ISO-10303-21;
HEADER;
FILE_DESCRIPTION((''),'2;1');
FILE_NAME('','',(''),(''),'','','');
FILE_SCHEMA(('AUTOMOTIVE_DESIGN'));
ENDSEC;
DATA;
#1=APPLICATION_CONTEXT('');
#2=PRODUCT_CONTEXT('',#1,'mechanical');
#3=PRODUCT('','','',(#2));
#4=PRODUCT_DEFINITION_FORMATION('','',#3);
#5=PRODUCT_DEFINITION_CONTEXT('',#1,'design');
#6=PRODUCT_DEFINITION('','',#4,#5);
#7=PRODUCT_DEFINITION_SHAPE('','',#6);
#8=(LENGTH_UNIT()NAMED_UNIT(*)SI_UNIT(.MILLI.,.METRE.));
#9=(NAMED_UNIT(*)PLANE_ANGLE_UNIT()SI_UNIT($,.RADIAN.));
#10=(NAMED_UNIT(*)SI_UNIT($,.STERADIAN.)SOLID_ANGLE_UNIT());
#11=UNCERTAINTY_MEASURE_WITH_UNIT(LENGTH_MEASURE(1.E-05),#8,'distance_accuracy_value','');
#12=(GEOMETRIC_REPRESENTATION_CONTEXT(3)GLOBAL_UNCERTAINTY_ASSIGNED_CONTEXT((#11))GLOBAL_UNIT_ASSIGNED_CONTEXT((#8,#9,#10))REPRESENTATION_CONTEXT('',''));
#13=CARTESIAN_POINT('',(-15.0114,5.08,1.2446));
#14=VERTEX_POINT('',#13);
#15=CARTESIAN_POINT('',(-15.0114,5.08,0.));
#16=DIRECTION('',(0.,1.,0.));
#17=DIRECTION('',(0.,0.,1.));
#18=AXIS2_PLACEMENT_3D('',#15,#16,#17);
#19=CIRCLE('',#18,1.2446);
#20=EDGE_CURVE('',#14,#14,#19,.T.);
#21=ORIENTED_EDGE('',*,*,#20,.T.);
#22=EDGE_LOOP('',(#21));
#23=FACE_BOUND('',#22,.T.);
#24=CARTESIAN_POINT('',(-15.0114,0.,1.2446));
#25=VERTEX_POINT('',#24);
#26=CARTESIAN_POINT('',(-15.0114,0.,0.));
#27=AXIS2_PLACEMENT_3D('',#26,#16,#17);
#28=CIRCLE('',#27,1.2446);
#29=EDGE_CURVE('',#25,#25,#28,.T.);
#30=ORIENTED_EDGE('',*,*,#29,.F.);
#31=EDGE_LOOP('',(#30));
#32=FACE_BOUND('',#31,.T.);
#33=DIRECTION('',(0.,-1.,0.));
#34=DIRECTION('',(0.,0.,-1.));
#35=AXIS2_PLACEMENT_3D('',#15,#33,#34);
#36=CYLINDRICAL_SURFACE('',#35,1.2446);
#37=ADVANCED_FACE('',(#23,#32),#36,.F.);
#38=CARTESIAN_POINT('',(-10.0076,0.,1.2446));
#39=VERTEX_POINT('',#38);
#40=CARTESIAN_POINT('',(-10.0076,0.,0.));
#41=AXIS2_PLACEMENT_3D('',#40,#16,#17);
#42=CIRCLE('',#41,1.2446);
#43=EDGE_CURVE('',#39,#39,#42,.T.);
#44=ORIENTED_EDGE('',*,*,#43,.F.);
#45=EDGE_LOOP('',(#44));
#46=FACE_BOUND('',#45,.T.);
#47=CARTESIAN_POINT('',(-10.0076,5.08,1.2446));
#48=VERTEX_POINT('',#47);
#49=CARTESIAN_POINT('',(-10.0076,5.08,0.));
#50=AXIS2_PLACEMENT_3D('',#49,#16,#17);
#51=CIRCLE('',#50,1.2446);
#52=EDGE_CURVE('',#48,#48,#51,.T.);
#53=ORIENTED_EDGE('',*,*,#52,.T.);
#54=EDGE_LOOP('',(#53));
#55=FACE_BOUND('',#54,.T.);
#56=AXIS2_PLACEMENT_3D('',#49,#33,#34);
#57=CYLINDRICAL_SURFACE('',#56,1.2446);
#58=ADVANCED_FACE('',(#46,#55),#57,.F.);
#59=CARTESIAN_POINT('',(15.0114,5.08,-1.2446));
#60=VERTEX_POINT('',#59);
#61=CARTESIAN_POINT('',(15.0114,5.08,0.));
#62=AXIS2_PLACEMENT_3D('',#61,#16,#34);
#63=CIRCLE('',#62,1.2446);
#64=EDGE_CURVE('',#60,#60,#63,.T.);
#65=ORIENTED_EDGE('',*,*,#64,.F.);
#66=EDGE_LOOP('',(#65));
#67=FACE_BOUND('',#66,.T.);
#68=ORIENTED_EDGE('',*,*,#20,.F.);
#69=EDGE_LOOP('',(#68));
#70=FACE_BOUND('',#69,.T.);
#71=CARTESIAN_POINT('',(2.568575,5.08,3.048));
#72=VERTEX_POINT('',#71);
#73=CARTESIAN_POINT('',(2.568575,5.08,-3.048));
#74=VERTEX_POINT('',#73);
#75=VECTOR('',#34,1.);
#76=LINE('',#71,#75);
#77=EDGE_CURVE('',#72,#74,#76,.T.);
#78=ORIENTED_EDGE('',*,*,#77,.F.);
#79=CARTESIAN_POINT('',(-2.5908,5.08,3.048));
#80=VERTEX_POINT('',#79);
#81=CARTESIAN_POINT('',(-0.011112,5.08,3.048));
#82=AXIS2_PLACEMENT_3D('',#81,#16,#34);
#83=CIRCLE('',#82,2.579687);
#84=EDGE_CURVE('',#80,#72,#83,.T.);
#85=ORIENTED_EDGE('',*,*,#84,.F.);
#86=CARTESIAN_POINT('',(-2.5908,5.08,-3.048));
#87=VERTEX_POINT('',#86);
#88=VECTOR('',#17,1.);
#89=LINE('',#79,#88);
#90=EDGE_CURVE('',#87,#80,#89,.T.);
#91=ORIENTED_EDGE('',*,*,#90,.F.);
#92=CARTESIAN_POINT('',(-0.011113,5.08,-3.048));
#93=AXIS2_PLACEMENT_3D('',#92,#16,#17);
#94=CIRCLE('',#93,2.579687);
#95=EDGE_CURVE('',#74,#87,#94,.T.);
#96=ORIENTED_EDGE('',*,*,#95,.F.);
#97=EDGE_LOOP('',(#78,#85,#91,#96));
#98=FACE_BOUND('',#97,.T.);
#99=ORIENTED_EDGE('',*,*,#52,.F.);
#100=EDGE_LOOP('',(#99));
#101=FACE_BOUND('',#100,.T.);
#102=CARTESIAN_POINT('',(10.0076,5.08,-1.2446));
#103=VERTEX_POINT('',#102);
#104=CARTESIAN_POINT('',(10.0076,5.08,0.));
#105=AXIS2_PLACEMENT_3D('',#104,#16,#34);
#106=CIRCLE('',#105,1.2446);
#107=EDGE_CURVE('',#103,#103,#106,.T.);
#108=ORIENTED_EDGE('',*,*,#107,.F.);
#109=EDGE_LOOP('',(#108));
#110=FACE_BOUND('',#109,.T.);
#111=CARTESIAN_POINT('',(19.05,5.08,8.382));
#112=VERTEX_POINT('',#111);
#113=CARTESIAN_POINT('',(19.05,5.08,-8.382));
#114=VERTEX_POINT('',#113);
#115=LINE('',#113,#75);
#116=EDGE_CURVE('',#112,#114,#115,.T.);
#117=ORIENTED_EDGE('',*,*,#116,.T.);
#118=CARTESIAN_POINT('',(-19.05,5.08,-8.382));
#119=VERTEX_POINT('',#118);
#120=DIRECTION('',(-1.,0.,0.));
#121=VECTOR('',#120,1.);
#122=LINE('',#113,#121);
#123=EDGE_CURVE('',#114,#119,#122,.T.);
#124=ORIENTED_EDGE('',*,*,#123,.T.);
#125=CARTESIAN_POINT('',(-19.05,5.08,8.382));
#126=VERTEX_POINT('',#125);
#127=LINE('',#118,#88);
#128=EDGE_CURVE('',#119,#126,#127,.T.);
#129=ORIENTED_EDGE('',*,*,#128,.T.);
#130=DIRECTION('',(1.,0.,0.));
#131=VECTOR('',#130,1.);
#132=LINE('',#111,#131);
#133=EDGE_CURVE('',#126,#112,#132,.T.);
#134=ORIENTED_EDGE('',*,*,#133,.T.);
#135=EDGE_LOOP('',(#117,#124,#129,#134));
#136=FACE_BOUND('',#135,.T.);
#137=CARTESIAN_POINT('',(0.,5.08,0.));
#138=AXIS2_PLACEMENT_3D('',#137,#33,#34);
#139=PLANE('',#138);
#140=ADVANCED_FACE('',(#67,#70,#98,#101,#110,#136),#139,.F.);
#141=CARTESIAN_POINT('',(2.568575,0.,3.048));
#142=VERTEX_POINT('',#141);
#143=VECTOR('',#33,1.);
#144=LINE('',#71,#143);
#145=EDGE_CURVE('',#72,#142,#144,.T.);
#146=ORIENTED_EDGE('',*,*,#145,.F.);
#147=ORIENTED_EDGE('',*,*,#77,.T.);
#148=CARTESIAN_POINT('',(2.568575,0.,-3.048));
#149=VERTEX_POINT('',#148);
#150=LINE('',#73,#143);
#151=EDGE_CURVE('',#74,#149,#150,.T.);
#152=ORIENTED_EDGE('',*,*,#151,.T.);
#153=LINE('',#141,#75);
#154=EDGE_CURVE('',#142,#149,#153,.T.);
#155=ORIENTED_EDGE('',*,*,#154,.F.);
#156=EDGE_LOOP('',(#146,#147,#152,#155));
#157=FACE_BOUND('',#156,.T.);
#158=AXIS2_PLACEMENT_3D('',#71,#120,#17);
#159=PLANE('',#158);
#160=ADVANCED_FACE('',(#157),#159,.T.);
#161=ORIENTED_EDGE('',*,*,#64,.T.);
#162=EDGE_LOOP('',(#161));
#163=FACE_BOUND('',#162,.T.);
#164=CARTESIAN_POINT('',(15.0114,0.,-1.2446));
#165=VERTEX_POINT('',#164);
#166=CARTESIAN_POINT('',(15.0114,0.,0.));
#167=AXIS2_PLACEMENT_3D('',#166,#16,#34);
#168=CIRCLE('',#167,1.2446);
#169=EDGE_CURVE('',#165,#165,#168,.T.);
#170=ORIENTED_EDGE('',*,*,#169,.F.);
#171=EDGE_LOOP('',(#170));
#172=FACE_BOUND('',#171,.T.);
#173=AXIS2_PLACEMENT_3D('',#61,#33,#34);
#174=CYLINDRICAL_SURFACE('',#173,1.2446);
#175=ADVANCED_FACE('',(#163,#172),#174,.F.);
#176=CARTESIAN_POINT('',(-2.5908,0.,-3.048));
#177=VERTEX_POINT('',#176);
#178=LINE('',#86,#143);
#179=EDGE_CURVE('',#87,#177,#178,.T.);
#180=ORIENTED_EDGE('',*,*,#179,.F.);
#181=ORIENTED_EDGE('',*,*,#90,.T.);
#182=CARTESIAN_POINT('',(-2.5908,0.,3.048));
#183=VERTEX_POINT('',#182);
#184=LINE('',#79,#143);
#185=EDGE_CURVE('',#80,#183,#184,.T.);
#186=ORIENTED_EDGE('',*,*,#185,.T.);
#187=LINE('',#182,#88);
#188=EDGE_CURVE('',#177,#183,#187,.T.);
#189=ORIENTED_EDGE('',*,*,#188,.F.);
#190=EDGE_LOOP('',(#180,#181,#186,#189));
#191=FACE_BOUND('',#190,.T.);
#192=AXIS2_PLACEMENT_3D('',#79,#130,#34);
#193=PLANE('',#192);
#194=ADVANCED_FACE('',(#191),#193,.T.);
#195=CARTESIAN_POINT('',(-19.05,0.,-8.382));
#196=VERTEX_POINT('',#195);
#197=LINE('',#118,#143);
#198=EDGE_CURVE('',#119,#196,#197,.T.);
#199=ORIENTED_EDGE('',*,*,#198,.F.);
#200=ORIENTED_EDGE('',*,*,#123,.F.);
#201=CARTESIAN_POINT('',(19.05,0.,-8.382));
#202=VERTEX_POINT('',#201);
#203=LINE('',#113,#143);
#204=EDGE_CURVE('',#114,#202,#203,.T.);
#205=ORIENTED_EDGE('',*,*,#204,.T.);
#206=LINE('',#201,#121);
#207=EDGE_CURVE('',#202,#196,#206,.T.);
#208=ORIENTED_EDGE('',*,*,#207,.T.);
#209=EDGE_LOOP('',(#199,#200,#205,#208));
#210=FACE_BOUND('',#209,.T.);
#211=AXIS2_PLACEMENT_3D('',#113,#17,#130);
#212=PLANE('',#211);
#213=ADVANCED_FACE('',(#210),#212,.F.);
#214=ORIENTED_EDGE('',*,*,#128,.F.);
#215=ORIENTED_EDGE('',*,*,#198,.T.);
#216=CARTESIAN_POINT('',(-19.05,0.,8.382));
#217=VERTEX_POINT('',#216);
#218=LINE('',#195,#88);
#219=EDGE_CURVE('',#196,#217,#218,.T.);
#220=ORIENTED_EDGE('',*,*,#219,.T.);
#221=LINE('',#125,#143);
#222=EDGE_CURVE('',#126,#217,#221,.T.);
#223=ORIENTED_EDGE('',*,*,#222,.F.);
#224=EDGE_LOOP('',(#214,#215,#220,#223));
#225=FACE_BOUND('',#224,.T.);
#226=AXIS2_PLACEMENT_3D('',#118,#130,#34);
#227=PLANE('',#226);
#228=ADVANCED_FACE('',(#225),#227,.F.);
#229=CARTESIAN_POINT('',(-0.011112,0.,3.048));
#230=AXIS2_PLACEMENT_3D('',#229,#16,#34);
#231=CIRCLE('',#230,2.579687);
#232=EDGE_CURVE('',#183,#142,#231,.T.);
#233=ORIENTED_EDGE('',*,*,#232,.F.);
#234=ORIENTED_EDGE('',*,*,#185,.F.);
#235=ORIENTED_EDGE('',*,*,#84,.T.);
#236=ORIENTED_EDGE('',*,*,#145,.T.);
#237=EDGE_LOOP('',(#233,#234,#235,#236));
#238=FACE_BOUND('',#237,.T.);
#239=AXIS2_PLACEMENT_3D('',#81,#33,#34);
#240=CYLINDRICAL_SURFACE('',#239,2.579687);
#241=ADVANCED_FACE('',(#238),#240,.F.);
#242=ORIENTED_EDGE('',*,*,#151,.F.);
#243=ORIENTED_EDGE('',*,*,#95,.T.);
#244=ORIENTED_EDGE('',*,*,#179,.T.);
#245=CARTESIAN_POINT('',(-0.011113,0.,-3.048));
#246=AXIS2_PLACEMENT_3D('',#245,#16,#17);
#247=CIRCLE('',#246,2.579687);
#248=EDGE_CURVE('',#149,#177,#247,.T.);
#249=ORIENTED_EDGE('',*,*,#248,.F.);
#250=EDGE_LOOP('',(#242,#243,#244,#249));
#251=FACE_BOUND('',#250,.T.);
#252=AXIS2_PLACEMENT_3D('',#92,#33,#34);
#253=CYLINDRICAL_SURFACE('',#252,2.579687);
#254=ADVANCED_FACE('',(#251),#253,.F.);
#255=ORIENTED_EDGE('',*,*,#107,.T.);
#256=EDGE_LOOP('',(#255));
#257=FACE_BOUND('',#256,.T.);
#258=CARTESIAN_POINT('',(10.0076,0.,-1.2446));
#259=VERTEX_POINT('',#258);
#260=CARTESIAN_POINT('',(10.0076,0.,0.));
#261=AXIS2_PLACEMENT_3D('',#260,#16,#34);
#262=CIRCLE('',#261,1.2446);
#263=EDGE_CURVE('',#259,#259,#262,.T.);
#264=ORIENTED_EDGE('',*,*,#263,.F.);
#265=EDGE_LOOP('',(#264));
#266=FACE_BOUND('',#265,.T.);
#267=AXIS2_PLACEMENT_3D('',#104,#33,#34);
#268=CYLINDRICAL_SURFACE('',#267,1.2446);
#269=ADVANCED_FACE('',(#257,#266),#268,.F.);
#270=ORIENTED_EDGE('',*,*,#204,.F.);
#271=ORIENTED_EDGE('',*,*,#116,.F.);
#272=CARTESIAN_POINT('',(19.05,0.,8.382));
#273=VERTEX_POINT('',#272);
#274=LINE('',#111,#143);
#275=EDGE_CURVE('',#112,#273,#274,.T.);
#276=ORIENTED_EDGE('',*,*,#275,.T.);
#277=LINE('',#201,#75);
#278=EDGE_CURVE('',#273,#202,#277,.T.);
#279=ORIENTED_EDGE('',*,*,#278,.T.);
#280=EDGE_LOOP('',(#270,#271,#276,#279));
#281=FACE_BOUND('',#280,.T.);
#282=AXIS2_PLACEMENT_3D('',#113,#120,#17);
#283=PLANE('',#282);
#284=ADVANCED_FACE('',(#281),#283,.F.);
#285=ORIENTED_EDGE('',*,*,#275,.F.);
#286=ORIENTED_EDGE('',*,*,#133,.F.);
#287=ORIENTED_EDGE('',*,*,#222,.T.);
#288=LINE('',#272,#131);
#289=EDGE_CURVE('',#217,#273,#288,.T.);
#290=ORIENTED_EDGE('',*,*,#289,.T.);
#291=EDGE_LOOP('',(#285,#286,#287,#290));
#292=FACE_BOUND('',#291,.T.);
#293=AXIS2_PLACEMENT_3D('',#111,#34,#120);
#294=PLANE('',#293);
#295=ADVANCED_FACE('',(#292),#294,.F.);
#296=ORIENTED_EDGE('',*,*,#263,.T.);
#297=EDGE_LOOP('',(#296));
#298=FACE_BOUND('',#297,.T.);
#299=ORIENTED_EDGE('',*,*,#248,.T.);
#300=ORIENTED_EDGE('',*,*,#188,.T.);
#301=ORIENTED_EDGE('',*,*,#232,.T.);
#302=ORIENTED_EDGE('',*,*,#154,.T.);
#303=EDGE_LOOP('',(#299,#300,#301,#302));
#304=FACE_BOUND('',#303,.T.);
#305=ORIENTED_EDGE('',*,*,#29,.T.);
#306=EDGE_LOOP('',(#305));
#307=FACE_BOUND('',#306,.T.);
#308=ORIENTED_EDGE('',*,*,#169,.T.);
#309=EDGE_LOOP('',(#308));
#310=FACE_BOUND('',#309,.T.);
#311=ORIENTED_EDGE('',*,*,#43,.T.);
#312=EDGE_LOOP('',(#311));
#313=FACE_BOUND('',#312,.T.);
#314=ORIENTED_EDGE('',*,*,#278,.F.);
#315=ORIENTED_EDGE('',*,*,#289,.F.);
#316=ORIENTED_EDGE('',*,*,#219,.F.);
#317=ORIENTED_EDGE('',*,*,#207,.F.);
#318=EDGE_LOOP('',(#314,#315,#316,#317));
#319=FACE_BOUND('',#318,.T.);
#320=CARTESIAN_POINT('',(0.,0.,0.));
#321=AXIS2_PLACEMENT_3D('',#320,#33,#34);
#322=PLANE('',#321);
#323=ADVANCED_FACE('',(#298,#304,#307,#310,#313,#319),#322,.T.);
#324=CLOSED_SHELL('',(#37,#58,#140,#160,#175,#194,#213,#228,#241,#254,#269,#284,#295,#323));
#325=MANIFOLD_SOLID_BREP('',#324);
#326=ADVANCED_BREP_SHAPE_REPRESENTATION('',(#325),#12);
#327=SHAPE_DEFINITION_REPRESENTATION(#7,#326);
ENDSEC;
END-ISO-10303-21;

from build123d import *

# Parameters (mm, degrees)
SKETCH1_W           = 38.1
SKETCH1_H           = 16.764
SKETCH1_R           = 1.2446
BOSS_EXTRUDE1_DEPTH = 5.08


with BuildPart() as part:
    # Sketch1 → Boss-Extrude1 (new body)
    with BuildSketch(Plane(origin=(0, 0, 0), x_dir=(1, 0, 0), z_dir=(0, 1, 0))):
        Rectangle(SKETCH1_W, SKETCH1_H)
        with Locations((-10.0076, 0)):
            Circle(SKETCH1_R, mode=Mode.SUBTRACT)
        with Locations((-15.0114, 0)):
            Circle(SKETCH1_R, mode=Mode.SUBTRACT)
        with Locations((15.0114, 0)):
            Circle(SKETCH1_R, mode=Mode.SUBTRACT)
        with Locations((10.0076, 0)):
            Circle(SKETCH1_R, mode=Mode.SUBTRACT)
        with BuildLine():
            Line((2.568575, -3.048), (2.568575, 3.048))
            ThreePointArc((2.568575, 3.048), (-0.0111125, 5.6276875), (-2.5908, 3.048))
            Line((-2.5908, 3.048), (-2.5908, -3.048))
            ThreePointArc((-2.5908, -3.048), (-0.0111125, -5.6276875), (2.568575, -3.048))
        make_face(mode=Mode.SUBTRACT)
    extrude(amount=BOSS_EXTRUDE1_DEPTH)


solid = part.part
